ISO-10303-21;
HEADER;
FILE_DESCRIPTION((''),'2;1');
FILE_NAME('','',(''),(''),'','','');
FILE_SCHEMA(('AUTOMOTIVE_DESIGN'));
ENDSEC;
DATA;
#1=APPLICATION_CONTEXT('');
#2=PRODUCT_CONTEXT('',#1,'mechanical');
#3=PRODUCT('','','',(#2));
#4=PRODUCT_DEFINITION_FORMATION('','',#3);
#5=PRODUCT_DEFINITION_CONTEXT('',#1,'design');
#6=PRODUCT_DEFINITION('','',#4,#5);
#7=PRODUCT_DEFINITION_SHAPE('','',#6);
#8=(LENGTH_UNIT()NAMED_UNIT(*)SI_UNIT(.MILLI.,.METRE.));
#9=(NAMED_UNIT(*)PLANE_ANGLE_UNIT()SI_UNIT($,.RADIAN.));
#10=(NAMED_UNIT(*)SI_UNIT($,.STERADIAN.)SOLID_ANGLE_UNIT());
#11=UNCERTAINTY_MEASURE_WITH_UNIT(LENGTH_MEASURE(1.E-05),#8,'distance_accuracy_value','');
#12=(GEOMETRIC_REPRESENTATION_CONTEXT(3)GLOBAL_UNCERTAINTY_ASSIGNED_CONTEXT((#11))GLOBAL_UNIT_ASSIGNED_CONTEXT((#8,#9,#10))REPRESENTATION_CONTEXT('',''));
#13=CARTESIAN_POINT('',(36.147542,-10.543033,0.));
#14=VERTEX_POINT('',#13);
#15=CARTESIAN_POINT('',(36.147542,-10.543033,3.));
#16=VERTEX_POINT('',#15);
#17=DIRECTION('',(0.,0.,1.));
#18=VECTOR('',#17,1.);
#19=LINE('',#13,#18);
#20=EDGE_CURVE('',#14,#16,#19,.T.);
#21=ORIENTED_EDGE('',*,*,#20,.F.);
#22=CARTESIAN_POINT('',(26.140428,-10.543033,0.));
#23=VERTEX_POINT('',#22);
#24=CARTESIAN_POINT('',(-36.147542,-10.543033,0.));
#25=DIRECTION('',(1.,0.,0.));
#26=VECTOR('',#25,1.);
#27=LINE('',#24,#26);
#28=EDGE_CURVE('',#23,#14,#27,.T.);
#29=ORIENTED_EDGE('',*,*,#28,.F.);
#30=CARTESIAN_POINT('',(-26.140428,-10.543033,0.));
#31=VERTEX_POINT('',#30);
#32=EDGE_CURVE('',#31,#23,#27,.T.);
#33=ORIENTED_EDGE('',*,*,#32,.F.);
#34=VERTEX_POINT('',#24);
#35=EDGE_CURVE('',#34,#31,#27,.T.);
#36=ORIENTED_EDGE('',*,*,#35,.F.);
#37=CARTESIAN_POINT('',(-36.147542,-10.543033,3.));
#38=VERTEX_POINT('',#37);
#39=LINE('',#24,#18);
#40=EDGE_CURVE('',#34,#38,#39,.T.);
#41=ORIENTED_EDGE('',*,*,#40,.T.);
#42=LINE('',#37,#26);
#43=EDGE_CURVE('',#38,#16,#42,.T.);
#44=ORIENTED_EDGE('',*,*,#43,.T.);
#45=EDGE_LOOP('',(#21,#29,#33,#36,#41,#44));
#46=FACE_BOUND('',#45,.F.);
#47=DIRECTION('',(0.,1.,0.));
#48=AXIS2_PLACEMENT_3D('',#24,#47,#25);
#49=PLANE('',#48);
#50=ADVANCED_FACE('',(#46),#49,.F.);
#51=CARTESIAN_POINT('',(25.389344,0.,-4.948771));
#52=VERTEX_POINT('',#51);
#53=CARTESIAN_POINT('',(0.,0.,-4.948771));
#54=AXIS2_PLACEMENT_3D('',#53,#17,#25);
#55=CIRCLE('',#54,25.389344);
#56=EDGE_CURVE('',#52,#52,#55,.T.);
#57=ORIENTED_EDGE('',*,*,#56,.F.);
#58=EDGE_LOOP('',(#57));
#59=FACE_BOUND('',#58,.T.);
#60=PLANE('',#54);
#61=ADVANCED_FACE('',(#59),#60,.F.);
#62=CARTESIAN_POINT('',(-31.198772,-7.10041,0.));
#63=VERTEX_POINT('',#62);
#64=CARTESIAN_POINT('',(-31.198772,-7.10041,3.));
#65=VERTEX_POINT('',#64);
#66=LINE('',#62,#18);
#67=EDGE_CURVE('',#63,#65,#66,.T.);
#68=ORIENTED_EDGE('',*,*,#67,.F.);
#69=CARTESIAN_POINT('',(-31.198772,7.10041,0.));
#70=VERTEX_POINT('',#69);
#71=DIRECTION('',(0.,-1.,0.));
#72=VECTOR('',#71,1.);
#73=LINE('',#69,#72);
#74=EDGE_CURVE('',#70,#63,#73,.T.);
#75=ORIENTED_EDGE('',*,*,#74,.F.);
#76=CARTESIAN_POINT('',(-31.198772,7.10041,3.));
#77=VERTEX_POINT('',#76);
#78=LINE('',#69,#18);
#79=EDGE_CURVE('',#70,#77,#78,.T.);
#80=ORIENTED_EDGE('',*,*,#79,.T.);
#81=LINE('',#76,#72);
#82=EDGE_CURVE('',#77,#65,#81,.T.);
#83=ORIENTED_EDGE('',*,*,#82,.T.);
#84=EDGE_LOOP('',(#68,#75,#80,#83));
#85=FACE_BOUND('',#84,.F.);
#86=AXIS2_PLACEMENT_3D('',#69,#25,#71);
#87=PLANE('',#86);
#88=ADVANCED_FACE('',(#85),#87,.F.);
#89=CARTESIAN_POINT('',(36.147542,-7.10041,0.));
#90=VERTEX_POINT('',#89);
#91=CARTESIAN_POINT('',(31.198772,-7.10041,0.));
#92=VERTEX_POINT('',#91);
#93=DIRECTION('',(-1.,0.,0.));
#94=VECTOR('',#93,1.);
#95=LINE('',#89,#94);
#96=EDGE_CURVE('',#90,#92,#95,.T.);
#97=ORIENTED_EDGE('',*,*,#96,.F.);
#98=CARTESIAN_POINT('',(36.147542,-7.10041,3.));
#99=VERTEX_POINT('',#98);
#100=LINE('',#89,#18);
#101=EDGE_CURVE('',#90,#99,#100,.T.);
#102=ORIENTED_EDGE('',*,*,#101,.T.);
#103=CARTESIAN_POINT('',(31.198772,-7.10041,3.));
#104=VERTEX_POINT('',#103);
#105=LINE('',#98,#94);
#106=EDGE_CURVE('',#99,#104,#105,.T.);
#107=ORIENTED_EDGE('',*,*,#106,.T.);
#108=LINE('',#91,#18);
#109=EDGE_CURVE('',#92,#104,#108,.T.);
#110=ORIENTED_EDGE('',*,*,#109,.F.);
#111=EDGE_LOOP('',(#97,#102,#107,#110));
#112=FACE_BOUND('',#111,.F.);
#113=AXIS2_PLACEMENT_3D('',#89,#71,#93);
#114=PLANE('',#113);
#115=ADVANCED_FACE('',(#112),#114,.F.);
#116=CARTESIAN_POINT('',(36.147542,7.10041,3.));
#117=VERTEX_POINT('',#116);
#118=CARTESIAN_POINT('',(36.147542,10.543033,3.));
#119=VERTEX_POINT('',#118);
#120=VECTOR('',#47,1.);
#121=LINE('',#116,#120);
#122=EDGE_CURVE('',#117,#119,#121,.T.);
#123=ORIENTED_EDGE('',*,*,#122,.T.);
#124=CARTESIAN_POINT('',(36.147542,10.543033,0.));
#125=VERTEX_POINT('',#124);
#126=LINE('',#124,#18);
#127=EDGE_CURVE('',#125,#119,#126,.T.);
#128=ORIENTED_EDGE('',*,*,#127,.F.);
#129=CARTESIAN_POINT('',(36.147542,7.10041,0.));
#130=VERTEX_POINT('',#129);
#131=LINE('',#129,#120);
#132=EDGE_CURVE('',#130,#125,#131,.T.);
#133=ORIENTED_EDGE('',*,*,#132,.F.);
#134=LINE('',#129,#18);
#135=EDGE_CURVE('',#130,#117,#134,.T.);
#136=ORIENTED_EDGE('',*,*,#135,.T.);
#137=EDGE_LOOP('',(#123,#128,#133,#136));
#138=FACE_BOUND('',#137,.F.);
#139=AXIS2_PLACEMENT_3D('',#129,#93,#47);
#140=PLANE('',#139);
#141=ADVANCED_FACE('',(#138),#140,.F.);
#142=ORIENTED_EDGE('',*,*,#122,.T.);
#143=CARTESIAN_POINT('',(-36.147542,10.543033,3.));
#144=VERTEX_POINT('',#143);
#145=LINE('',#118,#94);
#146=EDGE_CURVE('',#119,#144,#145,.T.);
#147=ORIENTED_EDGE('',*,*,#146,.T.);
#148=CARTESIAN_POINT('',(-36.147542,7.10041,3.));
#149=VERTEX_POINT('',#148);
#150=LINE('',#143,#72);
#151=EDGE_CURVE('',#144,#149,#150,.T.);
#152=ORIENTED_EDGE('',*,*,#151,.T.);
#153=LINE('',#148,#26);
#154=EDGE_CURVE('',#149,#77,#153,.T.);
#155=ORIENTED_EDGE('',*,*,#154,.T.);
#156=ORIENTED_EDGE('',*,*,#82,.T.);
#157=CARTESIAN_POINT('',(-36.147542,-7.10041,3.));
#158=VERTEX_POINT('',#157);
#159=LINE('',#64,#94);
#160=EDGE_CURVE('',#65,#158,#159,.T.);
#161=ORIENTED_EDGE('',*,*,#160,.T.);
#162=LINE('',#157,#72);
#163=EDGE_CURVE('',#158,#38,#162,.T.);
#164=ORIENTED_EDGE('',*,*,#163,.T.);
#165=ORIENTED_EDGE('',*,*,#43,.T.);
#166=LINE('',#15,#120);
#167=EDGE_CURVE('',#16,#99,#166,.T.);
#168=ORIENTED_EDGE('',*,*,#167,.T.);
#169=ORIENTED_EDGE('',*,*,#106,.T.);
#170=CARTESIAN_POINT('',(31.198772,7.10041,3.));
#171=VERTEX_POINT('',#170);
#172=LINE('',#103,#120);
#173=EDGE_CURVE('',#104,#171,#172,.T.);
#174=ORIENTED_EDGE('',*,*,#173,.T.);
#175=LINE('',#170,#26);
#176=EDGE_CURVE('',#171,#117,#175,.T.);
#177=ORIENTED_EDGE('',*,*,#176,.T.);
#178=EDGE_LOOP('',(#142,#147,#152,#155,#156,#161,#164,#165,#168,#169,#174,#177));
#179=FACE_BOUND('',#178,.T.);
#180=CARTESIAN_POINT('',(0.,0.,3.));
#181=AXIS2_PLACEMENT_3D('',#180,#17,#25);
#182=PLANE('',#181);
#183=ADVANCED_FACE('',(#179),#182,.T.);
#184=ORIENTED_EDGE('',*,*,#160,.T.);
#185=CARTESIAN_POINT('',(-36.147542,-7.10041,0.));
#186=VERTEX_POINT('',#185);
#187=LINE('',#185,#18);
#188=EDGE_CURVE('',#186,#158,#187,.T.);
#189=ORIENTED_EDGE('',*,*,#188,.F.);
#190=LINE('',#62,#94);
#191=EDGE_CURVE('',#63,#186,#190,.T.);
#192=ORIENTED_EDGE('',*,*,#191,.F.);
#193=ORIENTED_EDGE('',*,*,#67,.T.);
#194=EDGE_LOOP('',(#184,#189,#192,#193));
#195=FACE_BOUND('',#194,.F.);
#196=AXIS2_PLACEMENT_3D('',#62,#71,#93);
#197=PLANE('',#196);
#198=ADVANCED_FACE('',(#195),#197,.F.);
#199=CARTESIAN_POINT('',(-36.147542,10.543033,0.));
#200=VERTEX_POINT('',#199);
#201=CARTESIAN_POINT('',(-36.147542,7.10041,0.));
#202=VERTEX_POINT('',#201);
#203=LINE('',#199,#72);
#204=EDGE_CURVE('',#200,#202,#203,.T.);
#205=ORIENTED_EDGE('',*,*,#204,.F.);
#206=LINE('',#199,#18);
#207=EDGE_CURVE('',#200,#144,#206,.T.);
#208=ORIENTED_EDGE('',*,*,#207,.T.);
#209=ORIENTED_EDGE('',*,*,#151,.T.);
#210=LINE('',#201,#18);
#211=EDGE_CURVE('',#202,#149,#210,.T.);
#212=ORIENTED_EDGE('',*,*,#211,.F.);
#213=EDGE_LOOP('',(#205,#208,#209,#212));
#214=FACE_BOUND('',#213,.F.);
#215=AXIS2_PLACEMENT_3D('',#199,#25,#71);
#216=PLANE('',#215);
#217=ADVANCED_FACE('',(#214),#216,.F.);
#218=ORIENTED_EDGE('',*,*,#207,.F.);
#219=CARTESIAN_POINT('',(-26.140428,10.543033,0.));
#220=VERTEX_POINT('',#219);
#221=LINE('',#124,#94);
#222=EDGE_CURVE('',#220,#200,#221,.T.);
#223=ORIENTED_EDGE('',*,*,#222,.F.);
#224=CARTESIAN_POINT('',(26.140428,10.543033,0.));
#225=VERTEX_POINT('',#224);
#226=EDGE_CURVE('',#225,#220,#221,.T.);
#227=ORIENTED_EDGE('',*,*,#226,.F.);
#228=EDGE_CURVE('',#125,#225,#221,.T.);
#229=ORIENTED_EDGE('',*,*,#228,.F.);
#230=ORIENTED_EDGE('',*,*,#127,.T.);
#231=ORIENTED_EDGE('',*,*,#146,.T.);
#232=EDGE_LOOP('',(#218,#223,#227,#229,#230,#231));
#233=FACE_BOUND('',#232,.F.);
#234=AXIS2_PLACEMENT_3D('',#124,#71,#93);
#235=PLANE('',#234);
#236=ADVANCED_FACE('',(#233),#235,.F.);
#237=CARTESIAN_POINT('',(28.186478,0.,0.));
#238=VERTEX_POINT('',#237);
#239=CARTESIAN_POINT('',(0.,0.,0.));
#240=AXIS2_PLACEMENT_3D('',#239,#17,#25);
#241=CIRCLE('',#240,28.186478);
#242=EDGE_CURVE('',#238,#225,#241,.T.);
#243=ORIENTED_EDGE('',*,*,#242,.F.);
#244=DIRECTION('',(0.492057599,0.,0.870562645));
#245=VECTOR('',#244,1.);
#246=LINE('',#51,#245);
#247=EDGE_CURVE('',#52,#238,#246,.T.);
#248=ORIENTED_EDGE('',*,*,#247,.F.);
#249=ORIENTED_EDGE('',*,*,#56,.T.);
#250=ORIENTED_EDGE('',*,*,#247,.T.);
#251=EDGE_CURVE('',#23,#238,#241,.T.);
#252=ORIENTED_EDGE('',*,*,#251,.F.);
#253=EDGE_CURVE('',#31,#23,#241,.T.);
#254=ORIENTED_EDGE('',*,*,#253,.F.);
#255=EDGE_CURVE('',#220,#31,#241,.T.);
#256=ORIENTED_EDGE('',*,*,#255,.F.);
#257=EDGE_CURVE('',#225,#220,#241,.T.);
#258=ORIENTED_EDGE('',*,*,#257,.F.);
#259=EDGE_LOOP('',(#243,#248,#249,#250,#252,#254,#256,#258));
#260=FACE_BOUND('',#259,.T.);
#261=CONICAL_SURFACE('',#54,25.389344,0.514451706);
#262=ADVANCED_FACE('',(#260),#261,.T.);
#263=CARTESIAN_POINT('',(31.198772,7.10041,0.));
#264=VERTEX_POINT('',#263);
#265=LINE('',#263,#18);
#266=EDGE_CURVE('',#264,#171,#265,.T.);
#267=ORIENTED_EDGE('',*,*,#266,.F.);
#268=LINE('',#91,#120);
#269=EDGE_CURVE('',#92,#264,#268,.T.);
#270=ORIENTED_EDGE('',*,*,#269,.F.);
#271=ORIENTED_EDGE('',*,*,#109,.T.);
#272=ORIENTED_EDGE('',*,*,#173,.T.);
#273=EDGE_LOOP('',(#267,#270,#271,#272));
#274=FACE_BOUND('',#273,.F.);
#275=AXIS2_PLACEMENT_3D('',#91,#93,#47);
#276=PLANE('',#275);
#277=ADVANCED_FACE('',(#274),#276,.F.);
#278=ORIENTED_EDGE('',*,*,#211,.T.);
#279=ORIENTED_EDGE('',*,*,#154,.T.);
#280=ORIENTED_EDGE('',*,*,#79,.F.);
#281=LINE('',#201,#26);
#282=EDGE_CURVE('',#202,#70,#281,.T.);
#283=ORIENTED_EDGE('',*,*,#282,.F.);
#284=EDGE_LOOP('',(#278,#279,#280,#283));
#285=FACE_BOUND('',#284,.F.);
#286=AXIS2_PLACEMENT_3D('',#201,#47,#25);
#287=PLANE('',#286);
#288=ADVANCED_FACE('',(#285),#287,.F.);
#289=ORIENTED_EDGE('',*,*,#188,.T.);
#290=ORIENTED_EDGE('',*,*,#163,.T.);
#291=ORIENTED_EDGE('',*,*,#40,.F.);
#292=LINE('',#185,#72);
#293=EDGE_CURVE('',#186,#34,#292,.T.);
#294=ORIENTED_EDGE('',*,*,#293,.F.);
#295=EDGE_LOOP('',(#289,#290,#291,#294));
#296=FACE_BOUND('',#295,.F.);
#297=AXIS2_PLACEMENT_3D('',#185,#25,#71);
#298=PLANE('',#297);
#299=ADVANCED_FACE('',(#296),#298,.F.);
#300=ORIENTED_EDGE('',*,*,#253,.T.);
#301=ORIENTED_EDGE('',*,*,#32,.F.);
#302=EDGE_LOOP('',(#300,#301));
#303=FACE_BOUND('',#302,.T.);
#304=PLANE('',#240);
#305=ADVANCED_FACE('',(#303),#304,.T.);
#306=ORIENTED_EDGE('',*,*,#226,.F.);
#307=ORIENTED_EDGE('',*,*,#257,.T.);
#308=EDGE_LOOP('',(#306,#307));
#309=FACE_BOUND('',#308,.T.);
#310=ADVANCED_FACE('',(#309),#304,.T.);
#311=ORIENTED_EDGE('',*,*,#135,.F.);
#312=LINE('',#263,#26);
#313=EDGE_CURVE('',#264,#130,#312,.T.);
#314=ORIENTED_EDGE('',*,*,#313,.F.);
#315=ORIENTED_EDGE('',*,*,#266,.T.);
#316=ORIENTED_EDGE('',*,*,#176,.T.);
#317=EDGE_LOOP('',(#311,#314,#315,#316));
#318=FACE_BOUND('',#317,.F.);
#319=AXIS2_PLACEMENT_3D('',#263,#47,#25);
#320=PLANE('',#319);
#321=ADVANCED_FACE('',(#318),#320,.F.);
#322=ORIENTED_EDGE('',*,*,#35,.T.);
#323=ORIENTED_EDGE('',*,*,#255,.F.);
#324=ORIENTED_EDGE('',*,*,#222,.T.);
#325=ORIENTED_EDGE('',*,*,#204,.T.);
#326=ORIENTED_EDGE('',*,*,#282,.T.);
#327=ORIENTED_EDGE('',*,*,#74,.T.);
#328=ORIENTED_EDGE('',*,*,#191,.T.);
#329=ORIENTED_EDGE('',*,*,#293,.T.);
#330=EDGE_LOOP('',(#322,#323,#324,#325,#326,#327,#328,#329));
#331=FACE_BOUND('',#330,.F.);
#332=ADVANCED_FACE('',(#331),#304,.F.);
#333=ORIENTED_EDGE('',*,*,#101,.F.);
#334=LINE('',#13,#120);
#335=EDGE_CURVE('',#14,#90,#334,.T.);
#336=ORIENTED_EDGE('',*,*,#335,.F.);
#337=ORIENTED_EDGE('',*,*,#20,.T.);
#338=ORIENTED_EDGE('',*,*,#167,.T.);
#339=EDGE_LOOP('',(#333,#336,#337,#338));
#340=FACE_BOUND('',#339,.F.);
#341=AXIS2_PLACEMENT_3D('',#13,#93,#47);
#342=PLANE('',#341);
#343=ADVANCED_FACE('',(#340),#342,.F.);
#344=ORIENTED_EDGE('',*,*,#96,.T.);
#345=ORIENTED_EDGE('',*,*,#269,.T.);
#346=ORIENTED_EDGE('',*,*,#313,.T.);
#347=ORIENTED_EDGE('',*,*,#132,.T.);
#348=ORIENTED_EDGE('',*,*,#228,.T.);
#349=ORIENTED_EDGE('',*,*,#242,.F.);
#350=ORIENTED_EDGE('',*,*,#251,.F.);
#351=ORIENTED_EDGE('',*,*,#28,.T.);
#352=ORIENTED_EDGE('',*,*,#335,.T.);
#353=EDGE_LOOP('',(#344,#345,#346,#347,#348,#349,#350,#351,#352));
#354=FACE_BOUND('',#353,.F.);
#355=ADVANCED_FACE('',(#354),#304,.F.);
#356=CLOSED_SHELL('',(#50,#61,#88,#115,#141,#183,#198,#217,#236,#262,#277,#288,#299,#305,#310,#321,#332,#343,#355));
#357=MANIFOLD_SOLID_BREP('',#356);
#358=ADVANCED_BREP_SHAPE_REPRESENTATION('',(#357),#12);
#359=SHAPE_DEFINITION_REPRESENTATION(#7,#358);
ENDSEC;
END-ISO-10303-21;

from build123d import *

# Parameters (mm, degrees)
F3_DEPTH = 3


with BuildPart() as f1:
    # F0 (on Front) → F1 (revolve)
    with BuildSketch(Plane.XZ):
        Polygon((28.186478, 0), (0, 0), (0, -4.948771), (25.389344, -4.948771), align=None)
    revolve(axis=Axis((0, 0, -2.474385), (0, 0, 1)))

    # F2 (on Top) → F3 (join)
    with BuildSketch(Plane.XY):
        Polygon((-36.147542, -7.10041), (-36.147542, -10.543033), (0, -10.543033), (36.147542, -10.543033), (36.147542, -7.10041), (31.198772, -7.10041), (31.198772, 0), (31.198772, 7.10041), (36.147542, 7.10041), (36.147542, 10.543033), (0, 10.543033), (-36.147542, 10.543033), (-36.147542, 7.10041), (-31.198772, 7.10041), (-31.198772, 0), (-31.198772, -7.10041), align=None)
    extrude(amount=F3_DEPTH)


solid = f1.part
